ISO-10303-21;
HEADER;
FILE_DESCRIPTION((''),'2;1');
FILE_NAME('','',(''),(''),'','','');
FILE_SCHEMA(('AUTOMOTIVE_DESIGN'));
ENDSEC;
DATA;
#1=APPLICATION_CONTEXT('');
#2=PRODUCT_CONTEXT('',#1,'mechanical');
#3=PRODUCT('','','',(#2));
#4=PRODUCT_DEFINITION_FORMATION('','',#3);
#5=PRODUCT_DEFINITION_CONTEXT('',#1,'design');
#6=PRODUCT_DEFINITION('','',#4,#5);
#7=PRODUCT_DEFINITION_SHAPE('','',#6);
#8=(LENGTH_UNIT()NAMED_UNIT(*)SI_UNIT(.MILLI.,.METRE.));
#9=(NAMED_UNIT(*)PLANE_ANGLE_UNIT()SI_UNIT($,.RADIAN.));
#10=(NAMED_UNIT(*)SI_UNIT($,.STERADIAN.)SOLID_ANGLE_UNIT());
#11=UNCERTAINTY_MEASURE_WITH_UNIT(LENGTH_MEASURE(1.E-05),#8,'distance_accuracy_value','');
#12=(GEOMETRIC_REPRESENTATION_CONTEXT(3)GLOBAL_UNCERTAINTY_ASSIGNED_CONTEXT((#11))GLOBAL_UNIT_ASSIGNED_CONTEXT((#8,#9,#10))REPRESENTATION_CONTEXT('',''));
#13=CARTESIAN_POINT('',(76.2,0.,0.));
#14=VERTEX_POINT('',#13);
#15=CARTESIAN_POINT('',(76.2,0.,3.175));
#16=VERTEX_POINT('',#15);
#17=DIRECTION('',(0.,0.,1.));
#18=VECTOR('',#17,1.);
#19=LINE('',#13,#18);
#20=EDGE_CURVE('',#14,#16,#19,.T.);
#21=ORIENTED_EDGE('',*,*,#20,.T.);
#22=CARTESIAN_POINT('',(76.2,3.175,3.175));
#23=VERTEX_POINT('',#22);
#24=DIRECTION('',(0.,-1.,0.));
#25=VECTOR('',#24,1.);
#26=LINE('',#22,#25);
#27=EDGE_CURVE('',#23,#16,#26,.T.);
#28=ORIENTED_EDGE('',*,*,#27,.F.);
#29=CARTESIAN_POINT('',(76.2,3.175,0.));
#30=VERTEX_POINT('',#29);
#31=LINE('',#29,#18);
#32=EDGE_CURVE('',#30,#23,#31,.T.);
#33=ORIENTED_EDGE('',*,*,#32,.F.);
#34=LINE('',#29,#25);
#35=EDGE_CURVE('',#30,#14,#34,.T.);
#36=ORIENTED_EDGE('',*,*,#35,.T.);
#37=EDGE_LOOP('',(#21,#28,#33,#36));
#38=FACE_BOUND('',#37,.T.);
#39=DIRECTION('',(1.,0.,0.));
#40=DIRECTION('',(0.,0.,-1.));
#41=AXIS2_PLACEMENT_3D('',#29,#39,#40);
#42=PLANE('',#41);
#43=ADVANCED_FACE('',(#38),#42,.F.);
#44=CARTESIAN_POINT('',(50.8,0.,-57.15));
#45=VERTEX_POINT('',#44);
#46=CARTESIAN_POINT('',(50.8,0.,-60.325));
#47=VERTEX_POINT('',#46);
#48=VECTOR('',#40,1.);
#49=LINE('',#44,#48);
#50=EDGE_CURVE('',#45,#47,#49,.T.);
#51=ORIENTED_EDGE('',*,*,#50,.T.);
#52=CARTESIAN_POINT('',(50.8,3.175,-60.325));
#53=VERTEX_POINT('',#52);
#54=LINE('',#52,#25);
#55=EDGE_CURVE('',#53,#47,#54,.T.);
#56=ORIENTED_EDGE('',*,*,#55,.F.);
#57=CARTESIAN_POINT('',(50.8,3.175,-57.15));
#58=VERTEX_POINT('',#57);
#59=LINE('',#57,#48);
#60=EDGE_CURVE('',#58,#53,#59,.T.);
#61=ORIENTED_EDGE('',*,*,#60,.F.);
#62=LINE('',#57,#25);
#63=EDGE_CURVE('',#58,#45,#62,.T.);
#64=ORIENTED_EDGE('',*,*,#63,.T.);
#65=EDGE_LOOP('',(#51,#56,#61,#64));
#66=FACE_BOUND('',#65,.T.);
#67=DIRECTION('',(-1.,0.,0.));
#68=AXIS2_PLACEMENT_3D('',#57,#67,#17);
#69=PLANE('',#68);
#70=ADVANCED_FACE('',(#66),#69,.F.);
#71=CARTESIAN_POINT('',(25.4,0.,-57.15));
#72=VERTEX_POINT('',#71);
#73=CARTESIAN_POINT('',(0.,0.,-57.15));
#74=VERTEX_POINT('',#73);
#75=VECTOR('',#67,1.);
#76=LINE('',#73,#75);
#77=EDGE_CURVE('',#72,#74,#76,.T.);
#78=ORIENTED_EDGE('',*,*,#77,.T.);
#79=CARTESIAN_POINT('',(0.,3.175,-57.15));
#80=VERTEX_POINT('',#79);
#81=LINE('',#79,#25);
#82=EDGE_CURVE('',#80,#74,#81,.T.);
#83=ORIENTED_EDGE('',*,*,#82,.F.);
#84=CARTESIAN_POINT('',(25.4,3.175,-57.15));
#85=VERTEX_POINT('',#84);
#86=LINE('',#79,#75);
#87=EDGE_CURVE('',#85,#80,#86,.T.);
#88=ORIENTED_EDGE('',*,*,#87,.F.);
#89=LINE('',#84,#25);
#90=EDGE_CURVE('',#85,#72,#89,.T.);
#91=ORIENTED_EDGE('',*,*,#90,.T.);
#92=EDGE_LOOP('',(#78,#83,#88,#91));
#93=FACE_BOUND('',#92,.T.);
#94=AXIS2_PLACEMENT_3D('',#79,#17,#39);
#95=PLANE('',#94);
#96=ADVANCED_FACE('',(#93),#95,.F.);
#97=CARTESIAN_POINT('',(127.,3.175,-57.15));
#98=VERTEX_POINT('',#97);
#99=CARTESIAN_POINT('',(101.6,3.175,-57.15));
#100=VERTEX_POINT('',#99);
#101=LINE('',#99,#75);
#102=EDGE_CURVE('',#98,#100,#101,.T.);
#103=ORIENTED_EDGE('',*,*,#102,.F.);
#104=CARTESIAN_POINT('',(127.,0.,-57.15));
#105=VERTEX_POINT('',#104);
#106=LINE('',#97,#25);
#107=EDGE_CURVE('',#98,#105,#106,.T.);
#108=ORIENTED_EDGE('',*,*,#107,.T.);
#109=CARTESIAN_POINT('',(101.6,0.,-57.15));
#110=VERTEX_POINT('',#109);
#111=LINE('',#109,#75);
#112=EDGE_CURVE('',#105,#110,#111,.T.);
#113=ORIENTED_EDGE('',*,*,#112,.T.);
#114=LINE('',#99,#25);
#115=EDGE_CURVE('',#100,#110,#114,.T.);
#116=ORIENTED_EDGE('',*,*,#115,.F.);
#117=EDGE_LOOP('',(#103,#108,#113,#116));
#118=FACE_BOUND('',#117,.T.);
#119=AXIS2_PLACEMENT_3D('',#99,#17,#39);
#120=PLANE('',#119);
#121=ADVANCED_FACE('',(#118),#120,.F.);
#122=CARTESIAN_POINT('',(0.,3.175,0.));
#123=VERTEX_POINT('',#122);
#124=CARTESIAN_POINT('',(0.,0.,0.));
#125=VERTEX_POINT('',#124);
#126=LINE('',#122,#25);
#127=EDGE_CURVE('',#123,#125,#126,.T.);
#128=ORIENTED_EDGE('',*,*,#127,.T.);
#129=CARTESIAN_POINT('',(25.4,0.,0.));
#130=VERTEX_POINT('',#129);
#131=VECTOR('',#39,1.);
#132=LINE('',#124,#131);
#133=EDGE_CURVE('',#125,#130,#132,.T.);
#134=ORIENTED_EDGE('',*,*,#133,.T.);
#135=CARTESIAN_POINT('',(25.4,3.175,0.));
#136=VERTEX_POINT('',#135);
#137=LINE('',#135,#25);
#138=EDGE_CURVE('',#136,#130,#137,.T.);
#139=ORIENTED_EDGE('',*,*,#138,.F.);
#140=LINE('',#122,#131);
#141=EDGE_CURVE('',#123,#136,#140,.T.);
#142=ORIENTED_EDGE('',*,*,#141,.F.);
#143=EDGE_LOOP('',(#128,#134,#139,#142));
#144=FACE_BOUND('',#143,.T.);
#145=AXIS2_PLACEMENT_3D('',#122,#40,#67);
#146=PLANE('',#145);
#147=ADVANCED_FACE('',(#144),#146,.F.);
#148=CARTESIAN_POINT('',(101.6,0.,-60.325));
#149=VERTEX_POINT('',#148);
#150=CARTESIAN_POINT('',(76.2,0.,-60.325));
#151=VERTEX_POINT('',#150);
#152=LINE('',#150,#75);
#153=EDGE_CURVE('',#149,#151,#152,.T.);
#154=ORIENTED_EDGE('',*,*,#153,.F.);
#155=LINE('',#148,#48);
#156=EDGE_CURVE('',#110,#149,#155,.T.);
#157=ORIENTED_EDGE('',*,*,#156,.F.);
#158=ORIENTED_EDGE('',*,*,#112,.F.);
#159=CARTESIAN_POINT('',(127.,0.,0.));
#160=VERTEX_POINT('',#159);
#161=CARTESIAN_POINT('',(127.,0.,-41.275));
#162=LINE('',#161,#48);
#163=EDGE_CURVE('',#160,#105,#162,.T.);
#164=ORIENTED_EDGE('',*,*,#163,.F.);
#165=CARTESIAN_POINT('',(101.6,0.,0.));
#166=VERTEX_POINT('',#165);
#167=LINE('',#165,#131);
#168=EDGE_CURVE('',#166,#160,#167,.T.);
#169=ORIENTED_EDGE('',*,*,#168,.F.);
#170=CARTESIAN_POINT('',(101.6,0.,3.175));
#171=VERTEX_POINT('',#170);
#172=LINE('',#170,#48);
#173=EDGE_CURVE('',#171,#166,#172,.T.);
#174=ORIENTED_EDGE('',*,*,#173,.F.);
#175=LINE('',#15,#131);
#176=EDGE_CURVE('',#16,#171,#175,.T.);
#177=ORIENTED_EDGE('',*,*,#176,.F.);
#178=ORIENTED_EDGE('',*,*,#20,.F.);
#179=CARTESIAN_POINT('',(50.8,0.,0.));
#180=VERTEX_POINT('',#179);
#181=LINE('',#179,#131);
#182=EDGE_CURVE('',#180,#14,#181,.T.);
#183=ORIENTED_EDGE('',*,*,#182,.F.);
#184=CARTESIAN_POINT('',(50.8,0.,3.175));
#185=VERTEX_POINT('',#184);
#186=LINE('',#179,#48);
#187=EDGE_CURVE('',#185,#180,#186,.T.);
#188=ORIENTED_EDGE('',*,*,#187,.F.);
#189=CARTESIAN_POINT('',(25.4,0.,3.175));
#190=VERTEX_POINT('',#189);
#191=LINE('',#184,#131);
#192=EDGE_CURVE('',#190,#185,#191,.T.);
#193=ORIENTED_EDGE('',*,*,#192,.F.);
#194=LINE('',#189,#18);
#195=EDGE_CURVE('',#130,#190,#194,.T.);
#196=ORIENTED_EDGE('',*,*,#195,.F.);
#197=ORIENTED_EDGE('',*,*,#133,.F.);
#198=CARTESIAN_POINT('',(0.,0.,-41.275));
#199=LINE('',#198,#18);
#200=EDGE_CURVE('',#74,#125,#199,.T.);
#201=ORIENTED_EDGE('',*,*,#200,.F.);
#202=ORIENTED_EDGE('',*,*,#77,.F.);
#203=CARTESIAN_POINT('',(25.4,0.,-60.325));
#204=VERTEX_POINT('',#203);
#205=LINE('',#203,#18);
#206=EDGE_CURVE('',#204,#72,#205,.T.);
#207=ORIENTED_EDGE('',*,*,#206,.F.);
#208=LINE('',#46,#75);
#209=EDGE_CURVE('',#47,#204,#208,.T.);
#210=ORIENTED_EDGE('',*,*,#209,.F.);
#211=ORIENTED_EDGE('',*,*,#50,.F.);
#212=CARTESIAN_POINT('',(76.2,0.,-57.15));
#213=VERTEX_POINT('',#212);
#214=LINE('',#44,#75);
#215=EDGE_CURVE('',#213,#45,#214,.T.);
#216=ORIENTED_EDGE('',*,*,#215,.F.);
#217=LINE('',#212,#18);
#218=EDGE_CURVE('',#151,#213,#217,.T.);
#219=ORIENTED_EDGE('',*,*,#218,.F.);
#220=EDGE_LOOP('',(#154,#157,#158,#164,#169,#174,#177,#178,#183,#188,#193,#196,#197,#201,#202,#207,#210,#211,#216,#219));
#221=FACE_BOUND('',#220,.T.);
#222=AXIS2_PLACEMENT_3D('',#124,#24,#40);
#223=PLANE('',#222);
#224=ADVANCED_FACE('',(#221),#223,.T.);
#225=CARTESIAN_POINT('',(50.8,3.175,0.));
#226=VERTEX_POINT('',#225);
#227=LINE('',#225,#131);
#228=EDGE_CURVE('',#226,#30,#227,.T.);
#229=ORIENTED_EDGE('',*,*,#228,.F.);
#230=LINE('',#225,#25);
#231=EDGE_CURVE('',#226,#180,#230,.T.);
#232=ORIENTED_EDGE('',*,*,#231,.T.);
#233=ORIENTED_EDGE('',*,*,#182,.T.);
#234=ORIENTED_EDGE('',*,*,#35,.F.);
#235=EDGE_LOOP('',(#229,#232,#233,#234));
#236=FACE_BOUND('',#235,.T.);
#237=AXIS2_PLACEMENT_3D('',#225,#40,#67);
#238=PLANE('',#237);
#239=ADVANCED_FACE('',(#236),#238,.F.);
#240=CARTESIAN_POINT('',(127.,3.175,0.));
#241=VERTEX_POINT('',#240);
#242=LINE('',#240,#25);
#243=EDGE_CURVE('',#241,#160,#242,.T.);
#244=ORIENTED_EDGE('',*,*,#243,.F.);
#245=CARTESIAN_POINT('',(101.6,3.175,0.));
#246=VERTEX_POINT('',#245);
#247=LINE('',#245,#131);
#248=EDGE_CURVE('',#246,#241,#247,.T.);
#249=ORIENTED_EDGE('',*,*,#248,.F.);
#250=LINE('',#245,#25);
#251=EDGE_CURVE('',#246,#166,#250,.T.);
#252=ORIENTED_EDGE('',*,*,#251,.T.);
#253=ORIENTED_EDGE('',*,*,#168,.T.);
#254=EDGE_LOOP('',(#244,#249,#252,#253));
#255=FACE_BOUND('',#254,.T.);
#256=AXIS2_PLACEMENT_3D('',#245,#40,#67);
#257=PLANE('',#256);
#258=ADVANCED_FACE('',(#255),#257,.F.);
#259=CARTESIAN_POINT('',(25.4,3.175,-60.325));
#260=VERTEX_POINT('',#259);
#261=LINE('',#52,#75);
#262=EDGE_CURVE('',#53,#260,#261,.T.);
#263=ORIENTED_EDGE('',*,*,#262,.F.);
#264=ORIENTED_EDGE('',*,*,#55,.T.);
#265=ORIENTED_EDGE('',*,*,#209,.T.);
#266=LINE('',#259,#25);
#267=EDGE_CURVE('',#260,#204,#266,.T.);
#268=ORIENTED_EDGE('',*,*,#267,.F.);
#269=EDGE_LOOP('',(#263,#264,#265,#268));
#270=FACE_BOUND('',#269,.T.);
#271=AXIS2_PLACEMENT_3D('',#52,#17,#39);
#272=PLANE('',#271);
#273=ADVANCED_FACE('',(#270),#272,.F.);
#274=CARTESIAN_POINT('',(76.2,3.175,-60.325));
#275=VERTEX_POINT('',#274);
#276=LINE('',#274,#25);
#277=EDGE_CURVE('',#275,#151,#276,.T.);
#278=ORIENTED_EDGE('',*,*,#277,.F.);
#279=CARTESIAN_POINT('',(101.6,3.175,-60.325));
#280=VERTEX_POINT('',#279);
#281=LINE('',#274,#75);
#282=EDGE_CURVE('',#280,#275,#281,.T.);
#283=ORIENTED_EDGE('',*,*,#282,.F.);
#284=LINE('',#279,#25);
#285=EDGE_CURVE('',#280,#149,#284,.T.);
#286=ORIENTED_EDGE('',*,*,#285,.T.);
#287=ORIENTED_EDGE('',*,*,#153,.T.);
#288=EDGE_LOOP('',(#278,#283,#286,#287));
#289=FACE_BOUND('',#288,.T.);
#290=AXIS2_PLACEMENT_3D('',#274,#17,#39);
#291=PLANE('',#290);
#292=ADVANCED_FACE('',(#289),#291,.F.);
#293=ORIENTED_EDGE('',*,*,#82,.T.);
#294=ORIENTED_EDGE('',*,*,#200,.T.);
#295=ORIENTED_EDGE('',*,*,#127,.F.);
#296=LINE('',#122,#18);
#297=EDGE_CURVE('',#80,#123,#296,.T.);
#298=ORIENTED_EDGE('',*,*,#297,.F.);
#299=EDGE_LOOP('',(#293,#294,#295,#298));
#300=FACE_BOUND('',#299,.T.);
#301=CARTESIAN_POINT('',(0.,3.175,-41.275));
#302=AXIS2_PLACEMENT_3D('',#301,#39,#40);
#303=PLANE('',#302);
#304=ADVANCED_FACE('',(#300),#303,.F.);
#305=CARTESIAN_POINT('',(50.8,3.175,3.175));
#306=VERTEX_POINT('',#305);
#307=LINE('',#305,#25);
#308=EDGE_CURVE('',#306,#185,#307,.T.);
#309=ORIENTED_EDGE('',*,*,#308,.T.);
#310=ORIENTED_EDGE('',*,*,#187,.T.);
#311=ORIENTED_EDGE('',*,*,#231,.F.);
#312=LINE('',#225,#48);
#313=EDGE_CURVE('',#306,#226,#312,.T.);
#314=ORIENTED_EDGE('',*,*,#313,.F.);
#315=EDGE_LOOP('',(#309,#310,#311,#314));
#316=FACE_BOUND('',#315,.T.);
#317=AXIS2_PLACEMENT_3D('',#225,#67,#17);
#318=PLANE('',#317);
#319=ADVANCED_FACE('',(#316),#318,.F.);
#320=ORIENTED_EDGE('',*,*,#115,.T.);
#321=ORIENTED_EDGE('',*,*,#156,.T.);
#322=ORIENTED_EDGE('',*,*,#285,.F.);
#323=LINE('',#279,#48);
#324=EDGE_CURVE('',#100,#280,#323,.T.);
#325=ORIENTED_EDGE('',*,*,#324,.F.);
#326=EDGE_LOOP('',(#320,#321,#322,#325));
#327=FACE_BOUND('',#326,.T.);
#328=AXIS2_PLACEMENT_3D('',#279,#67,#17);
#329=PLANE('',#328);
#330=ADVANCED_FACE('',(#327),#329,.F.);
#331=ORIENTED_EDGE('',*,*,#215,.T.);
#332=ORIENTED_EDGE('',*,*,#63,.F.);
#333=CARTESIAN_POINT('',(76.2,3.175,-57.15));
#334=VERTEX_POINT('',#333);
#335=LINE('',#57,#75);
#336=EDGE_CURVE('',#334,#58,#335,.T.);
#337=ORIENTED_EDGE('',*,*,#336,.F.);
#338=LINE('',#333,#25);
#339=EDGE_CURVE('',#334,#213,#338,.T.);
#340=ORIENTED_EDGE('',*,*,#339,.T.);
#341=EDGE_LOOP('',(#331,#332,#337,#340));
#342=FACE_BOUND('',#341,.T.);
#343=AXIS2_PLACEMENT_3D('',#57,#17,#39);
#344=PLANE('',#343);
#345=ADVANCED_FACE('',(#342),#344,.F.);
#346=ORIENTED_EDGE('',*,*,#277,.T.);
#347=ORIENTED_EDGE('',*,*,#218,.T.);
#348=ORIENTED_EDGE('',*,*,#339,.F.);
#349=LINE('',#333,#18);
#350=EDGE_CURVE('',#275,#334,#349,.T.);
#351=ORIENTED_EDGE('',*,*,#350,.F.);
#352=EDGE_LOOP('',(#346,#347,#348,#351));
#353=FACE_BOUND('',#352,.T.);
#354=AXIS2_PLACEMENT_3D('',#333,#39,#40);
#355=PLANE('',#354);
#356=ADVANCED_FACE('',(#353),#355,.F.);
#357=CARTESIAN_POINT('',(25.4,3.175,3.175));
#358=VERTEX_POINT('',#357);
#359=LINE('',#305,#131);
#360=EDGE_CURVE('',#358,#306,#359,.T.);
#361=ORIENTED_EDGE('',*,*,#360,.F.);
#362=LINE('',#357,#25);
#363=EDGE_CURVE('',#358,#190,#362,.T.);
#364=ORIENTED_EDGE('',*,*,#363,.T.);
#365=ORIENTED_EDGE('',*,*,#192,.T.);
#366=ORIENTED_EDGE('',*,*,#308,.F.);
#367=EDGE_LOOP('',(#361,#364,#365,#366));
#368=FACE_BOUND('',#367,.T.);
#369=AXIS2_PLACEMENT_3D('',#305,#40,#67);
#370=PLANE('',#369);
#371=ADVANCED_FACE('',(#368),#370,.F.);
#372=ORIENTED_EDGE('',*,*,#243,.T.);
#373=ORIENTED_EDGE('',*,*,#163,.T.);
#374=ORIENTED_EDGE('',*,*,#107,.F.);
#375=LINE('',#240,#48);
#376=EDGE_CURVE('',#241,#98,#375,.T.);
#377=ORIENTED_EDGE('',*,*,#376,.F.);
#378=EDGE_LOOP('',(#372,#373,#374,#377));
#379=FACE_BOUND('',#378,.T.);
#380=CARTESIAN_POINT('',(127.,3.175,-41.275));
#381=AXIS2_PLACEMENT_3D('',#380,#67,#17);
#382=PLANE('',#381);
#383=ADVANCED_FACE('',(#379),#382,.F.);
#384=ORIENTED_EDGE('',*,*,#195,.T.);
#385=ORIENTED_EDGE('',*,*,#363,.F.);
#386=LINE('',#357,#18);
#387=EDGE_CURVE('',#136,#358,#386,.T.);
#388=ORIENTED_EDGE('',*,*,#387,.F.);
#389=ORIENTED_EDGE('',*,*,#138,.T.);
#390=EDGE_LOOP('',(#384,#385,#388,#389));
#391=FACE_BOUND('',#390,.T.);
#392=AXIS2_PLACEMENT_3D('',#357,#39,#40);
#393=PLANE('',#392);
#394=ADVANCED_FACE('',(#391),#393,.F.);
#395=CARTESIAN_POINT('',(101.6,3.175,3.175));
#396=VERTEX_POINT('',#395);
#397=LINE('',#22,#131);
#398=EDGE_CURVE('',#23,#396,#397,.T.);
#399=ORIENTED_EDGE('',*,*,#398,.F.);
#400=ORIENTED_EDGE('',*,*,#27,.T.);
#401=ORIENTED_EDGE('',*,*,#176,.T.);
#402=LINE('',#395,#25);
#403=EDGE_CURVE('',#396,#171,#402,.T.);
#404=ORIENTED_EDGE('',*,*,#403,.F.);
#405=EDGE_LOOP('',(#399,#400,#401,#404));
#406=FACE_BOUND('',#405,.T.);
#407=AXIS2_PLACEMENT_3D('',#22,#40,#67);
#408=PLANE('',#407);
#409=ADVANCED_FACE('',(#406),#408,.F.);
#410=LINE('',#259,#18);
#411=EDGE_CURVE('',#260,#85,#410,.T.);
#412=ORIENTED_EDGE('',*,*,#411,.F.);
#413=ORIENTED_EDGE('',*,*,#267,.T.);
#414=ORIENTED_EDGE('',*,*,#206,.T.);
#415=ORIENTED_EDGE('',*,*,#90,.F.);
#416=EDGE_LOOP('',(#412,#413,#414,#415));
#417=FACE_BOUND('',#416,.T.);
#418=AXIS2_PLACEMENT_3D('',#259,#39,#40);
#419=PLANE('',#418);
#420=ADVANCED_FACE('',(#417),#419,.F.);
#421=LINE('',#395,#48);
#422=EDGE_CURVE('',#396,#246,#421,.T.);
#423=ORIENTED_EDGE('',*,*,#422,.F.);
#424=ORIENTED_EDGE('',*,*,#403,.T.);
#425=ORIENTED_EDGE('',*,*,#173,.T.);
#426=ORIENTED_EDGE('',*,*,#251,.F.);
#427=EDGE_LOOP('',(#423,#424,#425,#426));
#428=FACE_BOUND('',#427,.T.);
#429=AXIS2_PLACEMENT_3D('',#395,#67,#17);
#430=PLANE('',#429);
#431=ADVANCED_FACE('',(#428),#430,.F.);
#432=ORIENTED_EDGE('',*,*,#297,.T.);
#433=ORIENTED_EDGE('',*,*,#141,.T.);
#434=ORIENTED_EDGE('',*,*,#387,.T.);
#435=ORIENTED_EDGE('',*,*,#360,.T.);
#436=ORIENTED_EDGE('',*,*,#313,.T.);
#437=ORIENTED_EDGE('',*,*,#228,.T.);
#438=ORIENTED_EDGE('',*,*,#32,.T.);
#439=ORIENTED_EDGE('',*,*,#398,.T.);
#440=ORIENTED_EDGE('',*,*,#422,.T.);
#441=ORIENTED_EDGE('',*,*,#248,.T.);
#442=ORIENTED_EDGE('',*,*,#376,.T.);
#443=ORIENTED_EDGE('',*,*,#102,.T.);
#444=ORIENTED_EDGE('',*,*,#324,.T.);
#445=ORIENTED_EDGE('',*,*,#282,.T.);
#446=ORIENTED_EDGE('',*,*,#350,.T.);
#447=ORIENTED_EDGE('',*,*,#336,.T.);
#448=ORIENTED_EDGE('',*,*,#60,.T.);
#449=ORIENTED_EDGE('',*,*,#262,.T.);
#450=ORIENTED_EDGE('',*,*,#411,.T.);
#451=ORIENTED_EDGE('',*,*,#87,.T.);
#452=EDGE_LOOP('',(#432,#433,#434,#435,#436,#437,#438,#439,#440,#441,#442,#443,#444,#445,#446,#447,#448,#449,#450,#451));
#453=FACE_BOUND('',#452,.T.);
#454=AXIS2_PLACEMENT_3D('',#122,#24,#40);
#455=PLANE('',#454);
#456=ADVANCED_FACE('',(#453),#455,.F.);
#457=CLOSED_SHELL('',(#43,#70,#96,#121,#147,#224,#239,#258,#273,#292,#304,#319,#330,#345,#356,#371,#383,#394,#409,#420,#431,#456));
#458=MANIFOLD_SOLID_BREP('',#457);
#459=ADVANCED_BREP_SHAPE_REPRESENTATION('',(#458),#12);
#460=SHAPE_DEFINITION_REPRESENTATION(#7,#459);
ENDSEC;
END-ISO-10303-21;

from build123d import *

# Parameters (mm, degrees)
BOSS_EXTRUDE1_DEPTH = 3.175


with BuildPart() as part:
    # Sketch1 → Boss-Extrude1 (new body)
    with BuildSketch(Plane(origin=(0, 0, 0), x_dir=(1, 0, 0), z_dir=(0, 1, 0))):
        Polygon((0, 0), (25.4, 0), (25.4, -3.175), (50.8, -3.175), (50.8, 0), (76.2, 0), (76.2, -3.175), (101.6, -3.175), (101.6, 0), (127, 0), (127, 15.875), (127, 41.275), (127, 57.15), (101.6, 57.15), (101.6, 60.325), (76.2, 60.325), (76.2, 57.15), (50.8, 57.15), (50.8, 60.325), (25.4, 60.325), (25.4, 57.15), (0, 57.15), (0, 41.275), (0, 15.875), align=None)
    extrude(amount=BOSS_EXTRUDE1_DEPTH)


solid = part.part
